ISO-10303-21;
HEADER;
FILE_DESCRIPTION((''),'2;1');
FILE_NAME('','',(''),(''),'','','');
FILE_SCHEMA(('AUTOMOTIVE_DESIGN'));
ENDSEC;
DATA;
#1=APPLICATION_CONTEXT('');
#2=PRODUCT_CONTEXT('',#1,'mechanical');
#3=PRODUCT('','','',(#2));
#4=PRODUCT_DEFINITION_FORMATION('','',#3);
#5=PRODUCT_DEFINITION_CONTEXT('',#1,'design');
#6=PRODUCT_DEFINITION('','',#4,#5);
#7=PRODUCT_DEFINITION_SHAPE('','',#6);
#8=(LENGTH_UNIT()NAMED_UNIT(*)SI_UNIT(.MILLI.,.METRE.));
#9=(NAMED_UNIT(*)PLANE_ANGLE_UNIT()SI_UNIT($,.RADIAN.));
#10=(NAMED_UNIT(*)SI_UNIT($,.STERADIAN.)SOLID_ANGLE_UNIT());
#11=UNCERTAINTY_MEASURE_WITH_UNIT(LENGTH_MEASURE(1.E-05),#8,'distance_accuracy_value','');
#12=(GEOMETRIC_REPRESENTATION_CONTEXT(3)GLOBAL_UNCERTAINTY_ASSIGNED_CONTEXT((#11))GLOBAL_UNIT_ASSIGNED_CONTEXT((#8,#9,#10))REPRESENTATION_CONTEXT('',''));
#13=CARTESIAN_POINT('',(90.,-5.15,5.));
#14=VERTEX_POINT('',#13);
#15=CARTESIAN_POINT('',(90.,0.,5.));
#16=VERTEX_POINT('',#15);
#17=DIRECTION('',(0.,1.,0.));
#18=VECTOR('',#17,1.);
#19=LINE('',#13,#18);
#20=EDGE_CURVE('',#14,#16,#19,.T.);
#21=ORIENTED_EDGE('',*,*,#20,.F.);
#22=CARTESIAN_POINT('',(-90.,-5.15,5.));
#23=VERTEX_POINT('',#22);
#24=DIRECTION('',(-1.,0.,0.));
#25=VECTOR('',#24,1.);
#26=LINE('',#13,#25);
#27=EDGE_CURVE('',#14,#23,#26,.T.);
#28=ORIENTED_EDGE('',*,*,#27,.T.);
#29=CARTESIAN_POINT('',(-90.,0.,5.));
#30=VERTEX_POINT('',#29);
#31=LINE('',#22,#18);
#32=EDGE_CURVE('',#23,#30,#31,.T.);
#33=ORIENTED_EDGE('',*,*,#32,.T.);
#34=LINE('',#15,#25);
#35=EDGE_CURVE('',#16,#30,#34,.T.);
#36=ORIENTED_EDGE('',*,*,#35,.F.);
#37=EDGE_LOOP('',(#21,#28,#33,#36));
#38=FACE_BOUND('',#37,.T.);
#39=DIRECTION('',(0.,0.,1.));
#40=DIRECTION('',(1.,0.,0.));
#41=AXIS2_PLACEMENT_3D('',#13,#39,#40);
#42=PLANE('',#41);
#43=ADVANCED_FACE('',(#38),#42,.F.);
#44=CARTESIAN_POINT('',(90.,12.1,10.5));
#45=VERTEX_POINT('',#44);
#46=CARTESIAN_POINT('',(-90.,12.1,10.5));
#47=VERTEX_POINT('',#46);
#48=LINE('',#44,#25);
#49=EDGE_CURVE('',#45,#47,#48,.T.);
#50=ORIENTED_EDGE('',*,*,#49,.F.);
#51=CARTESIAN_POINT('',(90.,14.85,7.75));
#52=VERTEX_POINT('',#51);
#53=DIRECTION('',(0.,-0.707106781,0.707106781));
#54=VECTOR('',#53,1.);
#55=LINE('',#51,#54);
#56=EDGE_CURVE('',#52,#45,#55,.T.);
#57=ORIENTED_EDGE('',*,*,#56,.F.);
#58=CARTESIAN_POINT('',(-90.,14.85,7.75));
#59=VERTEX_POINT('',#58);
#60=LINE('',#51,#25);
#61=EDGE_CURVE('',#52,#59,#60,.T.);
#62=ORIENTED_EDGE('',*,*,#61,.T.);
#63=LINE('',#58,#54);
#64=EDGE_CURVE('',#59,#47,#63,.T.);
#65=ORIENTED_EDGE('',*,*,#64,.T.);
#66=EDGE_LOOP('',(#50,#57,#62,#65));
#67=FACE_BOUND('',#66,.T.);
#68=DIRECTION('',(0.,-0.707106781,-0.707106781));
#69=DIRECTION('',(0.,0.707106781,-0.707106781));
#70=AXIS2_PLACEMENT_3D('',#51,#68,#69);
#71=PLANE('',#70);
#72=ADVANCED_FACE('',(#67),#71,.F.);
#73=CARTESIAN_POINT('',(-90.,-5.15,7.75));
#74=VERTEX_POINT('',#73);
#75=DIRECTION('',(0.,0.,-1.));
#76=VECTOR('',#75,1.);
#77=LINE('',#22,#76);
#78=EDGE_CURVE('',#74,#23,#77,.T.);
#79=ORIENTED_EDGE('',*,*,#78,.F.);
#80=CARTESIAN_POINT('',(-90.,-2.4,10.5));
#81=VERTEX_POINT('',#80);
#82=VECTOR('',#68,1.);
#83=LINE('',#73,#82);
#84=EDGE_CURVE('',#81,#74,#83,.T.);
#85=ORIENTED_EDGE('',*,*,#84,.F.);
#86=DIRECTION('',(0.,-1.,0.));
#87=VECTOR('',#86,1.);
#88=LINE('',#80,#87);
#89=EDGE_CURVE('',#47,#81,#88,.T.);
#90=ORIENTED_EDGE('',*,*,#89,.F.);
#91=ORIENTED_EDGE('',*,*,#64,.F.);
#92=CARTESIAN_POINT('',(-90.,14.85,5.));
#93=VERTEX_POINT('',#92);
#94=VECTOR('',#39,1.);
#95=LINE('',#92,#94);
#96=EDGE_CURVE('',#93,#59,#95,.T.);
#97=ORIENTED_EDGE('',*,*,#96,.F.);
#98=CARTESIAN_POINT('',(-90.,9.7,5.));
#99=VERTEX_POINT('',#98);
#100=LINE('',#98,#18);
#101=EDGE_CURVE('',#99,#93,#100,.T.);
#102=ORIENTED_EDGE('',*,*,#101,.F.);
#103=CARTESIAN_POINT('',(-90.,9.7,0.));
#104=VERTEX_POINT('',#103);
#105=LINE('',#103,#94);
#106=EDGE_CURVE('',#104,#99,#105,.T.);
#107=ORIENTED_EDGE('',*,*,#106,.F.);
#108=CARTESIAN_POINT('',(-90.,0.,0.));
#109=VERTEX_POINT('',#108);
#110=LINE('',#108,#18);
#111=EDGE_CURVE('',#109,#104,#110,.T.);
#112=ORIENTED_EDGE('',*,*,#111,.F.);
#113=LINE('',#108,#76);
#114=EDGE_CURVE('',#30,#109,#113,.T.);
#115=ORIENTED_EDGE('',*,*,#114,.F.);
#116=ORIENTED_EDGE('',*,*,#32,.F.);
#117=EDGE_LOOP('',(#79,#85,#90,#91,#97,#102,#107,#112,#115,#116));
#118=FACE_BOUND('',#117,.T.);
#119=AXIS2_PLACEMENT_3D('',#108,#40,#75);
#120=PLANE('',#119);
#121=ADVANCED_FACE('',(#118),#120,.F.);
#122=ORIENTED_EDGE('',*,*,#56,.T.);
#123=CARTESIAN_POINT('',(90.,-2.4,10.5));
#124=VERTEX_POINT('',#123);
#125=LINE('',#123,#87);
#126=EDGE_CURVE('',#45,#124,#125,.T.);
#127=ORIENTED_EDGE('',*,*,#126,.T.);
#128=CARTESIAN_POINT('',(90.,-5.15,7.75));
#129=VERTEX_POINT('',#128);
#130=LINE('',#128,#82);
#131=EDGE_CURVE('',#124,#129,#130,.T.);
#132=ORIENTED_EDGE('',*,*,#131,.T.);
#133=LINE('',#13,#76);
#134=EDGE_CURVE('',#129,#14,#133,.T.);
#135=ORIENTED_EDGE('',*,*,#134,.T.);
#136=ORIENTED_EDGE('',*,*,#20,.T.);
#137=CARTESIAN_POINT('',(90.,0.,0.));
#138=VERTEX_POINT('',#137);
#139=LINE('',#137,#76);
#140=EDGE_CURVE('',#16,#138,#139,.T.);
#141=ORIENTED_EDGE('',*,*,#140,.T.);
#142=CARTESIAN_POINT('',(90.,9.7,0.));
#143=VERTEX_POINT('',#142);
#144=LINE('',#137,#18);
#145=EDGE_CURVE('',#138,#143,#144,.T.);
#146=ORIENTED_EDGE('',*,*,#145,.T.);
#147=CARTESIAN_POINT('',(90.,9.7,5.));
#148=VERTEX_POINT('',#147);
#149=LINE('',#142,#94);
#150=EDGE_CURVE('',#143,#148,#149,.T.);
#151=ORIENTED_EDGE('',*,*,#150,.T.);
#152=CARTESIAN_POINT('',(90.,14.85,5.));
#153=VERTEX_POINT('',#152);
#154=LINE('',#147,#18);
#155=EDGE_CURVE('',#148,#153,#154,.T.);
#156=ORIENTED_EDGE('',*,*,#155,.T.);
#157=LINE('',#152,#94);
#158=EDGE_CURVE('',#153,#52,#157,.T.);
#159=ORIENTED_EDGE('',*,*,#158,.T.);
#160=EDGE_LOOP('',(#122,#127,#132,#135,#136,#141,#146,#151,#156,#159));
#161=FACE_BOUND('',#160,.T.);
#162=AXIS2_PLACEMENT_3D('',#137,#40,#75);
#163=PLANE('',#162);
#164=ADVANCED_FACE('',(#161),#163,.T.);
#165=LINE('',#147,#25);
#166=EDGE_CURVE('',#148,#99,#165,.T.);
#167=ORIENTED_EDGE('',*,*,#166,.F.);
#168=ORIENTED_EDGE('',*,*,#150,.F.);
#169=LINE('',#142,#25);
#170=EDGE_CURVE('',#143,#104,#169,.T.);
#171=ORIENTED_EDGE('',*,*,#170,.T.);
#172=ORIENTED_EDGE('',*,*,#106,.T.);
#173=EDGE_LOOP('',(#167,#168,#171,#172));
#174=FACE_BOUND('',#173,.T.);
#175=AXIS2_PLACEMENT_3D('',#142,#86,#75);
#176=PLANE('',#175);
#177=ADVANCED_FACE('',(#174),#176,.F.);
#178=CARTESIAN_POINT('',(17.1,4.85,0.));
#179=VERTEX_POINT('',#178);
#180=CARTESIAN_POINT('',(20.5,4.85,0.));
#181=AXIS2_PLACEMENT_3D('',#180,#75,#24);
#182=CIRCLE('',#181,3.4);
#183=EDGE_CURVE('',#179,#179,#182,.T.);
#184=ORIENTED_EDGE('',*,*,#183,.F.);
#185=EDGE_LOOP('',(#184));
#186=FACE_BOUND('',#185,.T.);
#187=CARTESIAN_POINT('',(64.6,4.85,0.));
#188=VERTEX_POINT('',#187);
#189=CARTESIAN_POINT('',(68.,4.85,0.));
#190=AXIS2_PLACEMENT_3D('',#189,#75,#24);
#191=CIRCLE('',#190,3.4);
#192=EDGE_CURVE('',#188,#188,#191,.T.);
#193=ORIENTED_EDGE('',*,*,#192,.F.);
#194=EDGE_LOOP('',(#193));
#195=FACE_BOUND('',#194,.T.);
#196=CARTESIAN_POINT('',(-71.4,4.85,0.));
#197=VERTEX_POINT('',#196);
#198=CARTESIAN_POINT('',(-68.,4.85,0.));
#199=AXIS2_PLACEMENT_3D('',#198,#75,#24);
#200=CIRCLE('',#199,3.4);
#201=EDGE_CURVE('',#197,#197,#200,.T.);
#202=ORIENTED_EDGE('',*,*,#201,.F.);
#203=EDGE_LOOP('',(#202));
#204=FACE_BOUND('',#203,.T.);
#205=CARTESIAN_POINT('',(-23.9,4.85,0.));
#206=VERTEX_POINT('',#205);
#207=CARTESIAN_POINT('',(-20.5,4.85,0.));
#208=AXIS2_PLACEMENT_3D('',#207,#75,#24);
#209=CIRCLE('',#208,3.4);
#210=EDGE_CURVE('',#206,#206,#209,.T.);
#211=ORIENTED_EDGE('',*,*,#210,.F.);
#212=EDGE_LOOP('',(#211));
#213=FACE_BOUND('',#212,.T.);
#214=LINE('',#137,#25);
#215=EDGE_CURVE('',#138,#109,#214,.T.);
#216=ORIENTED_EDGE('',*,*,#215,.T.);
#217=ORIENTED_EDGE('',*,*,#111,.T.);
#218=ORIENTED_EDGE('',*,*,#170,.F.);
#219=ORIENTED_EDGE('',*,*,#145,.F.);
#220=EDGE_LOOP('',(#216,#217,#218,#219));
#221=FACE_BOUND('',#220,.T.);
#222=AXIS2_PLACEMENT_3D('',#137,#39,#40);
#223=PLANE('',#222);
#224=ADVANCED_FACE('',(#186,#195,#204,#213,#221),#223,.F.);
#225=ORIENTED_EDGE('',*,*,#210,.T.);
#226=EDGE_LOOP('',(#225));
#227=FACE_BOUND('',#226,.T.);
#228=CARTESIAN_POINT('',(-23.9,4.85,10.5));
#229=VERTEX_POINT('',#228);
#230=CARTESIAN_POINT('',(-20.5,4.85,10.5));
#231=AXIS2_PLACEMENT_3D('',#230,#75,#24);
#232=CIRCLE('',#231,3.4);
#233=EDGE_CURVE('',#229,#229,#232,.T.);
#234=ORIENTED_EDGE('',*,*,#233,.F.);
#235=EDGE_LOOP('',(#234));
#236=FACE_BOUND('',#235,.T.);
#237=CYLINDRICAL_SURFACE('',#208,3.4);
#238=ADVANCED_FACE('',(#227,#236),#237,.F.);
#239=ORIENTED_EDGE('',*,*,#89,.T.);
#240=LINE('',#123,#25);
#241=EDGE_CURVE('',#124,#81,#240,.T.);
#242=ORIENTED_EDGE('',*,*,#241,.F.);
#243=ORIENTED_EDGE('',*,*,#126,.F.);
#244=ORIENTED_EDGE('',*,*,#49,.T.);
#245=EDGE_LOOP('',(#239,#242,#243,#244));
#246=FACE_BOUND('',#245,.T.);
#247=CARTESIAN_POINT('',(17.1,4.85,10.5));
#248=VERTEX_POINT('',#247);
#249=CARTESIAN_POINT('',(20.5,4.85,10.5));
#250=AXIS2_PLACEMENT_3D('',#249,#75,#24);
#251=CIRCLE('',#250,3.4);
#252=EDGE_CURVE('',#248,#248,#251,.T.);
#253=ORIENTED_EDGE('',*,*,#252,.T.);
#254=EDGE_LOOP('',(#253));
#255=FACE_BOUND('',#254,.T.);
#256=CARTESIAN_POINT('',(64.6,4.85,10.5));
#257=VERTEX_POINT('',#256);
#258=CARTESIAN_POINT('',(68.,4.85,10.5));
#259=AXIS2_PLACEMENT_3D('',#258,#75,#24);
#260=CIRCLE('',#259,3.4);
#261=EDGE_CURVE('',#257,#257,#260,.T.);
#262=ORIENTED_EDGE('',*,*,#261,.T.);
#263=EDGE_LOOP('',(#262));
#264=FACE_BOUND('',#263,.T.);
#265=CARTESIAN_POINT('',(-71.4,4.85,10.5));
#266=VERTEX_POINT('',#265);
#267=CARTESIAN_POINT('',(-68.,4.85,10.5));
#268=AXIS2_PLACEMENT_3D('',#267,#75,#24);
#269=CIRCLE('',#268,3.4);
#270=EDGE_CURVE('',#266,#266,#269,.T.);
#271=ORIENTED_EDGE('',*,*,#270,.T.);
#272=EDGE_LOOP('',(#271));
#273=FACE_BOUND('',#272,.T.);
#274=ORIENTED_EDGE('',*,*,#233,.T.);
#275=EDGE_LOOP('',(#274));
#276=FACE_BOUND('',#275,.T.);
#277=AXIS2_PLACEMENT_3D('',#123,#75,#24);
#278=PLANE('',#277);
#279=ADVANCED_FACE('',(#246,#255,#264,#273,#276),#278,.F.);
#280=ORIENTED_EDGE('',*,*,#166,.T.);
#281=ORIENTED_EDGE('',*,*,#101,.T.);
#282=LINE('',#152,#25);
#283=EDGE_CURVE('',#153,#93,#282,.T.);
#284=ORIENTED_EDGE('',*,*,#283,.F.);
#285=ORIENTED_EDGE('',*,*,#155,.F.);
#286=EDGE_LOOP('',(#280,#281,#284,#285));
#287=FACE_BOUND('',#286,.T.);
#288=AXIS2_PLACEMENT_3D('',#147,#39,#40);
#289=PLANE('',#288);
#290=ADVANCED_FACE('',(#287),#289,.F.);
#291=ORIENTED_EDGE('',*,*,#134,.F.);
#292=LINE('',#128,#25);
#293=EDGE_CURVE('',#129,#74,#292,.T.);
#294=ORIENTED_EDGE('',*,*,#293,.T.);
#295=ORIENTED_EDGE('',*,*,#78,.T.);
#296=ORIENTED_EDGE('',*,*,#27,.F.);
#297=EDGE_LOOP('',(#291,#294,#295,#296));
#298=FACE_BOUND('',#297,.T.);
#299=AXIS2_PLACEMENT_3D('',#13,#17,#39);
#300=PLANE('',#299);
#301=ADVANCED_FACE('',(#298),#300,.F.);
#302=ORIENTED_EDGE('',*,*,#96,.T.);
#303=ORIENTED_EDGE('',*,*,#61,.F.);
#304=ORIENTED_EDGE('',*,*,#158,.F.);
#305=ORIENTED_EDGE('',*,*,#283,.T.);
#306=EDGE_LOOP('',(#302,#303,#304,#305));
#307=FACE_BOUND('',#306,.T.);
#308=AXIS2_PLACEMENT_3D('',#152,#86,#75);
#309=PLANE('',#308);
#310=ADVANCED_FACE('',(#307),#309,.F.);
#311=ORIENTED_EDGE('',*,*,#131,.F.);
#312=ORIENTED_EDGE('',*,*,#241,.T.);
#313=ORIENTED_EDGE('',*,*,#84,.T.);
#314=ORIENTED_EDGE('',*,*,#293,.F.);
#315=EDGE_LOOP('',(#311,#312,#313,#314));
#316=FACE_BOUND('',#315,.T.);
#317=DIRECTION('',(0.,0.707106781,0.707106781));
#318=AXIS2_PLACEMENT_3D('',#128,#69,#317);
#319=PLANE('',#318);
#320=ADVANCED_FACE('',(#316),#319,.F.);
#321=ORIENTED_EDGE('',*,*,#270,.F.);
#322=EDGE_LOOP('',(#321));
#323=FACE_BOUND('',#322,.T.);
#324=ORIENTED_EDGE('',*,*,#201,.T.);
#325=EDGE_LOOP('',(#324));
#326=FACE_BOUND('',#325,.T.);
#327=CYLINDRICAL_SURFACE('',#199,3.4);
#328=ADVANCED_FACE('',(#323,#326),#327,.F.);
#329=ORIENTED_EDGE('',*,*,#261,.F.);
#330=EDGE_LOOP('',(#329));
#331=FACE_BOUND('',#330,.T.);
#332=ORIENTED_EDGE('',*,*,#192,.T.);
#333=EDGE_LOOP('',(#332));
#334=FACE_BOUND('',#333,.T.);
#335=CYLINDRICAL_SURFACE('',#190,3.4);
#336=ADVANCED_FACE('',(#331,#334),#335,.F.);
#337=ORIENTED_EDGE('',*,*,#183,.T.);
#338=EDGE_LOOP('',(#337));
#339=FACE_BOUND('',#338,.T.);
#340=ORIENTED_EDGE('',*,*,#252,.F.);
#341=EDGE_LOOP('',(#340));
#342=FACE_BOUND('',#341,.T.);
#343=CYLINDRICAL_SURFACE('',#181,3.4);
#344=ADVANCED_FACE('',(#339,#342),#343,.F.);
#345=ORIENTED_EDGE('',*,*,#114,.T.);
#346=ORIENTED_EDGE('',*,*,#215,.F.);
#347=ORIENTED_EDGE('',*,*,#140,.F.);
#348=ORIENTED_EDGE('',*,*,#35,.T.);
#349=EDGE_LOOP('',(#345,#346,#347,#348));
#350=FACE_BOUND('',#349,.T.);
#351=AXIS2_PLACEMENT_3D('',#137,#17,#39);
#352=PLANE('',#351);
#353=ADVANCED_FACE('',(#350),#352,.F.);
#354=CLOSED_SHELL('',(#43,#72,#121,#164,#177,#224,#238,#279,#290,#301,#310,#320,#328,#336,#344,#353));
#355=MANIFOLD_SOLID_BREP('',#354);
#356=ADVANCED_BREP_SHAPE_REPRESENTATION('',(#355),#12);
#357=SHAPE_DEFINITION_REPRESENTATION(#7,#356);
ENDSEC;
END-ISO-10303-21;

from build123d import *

# Parameters (mm, degrees)
EXTRUDE_1_DEPTH        = 90
HOLE_WIZARD_M8_1_D     = 6.8
HOLE_WIZARD_M8_1_DEPTH = 33.75
HOLE_WIZARD_M8_1_TIP   = 2.042926105


with BuildPart() as part:
    # 草图1 → 凸台-拉伸1 (new, symmetric)
    with BuildSketch(Plane(origin=(0, 0, 0), x_dir=(0, 0, -1), z_dir=(1, 0, 0))):
        Polygon((-10.5, -2.4), (-10.5, 12.1), (-7.75, 14.85), (-5, 14.85), (-5, 9.7), (0, 9.7), (0, 0), (-5, 0), (-5, -5.15), (-7.75, -5.15), align=None)
    extrude(amount=EXTRUDE_1_DEPTH, both=True)

    # M8 螺纹孔1
    with Locations(Plane(origin=(68, 4.85, 0), x_dir=(-1, 0, 0), z_dir=(0, 0, -1))):
        with Locations((0, 0), (47.5, 0), (88.5, 0), (136, 0)):
            Hole(HOLE_WIZARD_M8_1_D / 2, depth=HOLE_WIZARD_M8_1_DEPTH)
            with Locations((0, 0, -(HOLE_WIZARD_M8_1_DEPTH + HOLE_WIZARD_M8_1_TIP / 2))):  # 118° drill point
                Cone(0, HOLE_WIZARD_M8_1_D / 2, HOLE_WIZARD_M8_1_TIP, mode=Mode.SUBTRACT)


solid = part.part
